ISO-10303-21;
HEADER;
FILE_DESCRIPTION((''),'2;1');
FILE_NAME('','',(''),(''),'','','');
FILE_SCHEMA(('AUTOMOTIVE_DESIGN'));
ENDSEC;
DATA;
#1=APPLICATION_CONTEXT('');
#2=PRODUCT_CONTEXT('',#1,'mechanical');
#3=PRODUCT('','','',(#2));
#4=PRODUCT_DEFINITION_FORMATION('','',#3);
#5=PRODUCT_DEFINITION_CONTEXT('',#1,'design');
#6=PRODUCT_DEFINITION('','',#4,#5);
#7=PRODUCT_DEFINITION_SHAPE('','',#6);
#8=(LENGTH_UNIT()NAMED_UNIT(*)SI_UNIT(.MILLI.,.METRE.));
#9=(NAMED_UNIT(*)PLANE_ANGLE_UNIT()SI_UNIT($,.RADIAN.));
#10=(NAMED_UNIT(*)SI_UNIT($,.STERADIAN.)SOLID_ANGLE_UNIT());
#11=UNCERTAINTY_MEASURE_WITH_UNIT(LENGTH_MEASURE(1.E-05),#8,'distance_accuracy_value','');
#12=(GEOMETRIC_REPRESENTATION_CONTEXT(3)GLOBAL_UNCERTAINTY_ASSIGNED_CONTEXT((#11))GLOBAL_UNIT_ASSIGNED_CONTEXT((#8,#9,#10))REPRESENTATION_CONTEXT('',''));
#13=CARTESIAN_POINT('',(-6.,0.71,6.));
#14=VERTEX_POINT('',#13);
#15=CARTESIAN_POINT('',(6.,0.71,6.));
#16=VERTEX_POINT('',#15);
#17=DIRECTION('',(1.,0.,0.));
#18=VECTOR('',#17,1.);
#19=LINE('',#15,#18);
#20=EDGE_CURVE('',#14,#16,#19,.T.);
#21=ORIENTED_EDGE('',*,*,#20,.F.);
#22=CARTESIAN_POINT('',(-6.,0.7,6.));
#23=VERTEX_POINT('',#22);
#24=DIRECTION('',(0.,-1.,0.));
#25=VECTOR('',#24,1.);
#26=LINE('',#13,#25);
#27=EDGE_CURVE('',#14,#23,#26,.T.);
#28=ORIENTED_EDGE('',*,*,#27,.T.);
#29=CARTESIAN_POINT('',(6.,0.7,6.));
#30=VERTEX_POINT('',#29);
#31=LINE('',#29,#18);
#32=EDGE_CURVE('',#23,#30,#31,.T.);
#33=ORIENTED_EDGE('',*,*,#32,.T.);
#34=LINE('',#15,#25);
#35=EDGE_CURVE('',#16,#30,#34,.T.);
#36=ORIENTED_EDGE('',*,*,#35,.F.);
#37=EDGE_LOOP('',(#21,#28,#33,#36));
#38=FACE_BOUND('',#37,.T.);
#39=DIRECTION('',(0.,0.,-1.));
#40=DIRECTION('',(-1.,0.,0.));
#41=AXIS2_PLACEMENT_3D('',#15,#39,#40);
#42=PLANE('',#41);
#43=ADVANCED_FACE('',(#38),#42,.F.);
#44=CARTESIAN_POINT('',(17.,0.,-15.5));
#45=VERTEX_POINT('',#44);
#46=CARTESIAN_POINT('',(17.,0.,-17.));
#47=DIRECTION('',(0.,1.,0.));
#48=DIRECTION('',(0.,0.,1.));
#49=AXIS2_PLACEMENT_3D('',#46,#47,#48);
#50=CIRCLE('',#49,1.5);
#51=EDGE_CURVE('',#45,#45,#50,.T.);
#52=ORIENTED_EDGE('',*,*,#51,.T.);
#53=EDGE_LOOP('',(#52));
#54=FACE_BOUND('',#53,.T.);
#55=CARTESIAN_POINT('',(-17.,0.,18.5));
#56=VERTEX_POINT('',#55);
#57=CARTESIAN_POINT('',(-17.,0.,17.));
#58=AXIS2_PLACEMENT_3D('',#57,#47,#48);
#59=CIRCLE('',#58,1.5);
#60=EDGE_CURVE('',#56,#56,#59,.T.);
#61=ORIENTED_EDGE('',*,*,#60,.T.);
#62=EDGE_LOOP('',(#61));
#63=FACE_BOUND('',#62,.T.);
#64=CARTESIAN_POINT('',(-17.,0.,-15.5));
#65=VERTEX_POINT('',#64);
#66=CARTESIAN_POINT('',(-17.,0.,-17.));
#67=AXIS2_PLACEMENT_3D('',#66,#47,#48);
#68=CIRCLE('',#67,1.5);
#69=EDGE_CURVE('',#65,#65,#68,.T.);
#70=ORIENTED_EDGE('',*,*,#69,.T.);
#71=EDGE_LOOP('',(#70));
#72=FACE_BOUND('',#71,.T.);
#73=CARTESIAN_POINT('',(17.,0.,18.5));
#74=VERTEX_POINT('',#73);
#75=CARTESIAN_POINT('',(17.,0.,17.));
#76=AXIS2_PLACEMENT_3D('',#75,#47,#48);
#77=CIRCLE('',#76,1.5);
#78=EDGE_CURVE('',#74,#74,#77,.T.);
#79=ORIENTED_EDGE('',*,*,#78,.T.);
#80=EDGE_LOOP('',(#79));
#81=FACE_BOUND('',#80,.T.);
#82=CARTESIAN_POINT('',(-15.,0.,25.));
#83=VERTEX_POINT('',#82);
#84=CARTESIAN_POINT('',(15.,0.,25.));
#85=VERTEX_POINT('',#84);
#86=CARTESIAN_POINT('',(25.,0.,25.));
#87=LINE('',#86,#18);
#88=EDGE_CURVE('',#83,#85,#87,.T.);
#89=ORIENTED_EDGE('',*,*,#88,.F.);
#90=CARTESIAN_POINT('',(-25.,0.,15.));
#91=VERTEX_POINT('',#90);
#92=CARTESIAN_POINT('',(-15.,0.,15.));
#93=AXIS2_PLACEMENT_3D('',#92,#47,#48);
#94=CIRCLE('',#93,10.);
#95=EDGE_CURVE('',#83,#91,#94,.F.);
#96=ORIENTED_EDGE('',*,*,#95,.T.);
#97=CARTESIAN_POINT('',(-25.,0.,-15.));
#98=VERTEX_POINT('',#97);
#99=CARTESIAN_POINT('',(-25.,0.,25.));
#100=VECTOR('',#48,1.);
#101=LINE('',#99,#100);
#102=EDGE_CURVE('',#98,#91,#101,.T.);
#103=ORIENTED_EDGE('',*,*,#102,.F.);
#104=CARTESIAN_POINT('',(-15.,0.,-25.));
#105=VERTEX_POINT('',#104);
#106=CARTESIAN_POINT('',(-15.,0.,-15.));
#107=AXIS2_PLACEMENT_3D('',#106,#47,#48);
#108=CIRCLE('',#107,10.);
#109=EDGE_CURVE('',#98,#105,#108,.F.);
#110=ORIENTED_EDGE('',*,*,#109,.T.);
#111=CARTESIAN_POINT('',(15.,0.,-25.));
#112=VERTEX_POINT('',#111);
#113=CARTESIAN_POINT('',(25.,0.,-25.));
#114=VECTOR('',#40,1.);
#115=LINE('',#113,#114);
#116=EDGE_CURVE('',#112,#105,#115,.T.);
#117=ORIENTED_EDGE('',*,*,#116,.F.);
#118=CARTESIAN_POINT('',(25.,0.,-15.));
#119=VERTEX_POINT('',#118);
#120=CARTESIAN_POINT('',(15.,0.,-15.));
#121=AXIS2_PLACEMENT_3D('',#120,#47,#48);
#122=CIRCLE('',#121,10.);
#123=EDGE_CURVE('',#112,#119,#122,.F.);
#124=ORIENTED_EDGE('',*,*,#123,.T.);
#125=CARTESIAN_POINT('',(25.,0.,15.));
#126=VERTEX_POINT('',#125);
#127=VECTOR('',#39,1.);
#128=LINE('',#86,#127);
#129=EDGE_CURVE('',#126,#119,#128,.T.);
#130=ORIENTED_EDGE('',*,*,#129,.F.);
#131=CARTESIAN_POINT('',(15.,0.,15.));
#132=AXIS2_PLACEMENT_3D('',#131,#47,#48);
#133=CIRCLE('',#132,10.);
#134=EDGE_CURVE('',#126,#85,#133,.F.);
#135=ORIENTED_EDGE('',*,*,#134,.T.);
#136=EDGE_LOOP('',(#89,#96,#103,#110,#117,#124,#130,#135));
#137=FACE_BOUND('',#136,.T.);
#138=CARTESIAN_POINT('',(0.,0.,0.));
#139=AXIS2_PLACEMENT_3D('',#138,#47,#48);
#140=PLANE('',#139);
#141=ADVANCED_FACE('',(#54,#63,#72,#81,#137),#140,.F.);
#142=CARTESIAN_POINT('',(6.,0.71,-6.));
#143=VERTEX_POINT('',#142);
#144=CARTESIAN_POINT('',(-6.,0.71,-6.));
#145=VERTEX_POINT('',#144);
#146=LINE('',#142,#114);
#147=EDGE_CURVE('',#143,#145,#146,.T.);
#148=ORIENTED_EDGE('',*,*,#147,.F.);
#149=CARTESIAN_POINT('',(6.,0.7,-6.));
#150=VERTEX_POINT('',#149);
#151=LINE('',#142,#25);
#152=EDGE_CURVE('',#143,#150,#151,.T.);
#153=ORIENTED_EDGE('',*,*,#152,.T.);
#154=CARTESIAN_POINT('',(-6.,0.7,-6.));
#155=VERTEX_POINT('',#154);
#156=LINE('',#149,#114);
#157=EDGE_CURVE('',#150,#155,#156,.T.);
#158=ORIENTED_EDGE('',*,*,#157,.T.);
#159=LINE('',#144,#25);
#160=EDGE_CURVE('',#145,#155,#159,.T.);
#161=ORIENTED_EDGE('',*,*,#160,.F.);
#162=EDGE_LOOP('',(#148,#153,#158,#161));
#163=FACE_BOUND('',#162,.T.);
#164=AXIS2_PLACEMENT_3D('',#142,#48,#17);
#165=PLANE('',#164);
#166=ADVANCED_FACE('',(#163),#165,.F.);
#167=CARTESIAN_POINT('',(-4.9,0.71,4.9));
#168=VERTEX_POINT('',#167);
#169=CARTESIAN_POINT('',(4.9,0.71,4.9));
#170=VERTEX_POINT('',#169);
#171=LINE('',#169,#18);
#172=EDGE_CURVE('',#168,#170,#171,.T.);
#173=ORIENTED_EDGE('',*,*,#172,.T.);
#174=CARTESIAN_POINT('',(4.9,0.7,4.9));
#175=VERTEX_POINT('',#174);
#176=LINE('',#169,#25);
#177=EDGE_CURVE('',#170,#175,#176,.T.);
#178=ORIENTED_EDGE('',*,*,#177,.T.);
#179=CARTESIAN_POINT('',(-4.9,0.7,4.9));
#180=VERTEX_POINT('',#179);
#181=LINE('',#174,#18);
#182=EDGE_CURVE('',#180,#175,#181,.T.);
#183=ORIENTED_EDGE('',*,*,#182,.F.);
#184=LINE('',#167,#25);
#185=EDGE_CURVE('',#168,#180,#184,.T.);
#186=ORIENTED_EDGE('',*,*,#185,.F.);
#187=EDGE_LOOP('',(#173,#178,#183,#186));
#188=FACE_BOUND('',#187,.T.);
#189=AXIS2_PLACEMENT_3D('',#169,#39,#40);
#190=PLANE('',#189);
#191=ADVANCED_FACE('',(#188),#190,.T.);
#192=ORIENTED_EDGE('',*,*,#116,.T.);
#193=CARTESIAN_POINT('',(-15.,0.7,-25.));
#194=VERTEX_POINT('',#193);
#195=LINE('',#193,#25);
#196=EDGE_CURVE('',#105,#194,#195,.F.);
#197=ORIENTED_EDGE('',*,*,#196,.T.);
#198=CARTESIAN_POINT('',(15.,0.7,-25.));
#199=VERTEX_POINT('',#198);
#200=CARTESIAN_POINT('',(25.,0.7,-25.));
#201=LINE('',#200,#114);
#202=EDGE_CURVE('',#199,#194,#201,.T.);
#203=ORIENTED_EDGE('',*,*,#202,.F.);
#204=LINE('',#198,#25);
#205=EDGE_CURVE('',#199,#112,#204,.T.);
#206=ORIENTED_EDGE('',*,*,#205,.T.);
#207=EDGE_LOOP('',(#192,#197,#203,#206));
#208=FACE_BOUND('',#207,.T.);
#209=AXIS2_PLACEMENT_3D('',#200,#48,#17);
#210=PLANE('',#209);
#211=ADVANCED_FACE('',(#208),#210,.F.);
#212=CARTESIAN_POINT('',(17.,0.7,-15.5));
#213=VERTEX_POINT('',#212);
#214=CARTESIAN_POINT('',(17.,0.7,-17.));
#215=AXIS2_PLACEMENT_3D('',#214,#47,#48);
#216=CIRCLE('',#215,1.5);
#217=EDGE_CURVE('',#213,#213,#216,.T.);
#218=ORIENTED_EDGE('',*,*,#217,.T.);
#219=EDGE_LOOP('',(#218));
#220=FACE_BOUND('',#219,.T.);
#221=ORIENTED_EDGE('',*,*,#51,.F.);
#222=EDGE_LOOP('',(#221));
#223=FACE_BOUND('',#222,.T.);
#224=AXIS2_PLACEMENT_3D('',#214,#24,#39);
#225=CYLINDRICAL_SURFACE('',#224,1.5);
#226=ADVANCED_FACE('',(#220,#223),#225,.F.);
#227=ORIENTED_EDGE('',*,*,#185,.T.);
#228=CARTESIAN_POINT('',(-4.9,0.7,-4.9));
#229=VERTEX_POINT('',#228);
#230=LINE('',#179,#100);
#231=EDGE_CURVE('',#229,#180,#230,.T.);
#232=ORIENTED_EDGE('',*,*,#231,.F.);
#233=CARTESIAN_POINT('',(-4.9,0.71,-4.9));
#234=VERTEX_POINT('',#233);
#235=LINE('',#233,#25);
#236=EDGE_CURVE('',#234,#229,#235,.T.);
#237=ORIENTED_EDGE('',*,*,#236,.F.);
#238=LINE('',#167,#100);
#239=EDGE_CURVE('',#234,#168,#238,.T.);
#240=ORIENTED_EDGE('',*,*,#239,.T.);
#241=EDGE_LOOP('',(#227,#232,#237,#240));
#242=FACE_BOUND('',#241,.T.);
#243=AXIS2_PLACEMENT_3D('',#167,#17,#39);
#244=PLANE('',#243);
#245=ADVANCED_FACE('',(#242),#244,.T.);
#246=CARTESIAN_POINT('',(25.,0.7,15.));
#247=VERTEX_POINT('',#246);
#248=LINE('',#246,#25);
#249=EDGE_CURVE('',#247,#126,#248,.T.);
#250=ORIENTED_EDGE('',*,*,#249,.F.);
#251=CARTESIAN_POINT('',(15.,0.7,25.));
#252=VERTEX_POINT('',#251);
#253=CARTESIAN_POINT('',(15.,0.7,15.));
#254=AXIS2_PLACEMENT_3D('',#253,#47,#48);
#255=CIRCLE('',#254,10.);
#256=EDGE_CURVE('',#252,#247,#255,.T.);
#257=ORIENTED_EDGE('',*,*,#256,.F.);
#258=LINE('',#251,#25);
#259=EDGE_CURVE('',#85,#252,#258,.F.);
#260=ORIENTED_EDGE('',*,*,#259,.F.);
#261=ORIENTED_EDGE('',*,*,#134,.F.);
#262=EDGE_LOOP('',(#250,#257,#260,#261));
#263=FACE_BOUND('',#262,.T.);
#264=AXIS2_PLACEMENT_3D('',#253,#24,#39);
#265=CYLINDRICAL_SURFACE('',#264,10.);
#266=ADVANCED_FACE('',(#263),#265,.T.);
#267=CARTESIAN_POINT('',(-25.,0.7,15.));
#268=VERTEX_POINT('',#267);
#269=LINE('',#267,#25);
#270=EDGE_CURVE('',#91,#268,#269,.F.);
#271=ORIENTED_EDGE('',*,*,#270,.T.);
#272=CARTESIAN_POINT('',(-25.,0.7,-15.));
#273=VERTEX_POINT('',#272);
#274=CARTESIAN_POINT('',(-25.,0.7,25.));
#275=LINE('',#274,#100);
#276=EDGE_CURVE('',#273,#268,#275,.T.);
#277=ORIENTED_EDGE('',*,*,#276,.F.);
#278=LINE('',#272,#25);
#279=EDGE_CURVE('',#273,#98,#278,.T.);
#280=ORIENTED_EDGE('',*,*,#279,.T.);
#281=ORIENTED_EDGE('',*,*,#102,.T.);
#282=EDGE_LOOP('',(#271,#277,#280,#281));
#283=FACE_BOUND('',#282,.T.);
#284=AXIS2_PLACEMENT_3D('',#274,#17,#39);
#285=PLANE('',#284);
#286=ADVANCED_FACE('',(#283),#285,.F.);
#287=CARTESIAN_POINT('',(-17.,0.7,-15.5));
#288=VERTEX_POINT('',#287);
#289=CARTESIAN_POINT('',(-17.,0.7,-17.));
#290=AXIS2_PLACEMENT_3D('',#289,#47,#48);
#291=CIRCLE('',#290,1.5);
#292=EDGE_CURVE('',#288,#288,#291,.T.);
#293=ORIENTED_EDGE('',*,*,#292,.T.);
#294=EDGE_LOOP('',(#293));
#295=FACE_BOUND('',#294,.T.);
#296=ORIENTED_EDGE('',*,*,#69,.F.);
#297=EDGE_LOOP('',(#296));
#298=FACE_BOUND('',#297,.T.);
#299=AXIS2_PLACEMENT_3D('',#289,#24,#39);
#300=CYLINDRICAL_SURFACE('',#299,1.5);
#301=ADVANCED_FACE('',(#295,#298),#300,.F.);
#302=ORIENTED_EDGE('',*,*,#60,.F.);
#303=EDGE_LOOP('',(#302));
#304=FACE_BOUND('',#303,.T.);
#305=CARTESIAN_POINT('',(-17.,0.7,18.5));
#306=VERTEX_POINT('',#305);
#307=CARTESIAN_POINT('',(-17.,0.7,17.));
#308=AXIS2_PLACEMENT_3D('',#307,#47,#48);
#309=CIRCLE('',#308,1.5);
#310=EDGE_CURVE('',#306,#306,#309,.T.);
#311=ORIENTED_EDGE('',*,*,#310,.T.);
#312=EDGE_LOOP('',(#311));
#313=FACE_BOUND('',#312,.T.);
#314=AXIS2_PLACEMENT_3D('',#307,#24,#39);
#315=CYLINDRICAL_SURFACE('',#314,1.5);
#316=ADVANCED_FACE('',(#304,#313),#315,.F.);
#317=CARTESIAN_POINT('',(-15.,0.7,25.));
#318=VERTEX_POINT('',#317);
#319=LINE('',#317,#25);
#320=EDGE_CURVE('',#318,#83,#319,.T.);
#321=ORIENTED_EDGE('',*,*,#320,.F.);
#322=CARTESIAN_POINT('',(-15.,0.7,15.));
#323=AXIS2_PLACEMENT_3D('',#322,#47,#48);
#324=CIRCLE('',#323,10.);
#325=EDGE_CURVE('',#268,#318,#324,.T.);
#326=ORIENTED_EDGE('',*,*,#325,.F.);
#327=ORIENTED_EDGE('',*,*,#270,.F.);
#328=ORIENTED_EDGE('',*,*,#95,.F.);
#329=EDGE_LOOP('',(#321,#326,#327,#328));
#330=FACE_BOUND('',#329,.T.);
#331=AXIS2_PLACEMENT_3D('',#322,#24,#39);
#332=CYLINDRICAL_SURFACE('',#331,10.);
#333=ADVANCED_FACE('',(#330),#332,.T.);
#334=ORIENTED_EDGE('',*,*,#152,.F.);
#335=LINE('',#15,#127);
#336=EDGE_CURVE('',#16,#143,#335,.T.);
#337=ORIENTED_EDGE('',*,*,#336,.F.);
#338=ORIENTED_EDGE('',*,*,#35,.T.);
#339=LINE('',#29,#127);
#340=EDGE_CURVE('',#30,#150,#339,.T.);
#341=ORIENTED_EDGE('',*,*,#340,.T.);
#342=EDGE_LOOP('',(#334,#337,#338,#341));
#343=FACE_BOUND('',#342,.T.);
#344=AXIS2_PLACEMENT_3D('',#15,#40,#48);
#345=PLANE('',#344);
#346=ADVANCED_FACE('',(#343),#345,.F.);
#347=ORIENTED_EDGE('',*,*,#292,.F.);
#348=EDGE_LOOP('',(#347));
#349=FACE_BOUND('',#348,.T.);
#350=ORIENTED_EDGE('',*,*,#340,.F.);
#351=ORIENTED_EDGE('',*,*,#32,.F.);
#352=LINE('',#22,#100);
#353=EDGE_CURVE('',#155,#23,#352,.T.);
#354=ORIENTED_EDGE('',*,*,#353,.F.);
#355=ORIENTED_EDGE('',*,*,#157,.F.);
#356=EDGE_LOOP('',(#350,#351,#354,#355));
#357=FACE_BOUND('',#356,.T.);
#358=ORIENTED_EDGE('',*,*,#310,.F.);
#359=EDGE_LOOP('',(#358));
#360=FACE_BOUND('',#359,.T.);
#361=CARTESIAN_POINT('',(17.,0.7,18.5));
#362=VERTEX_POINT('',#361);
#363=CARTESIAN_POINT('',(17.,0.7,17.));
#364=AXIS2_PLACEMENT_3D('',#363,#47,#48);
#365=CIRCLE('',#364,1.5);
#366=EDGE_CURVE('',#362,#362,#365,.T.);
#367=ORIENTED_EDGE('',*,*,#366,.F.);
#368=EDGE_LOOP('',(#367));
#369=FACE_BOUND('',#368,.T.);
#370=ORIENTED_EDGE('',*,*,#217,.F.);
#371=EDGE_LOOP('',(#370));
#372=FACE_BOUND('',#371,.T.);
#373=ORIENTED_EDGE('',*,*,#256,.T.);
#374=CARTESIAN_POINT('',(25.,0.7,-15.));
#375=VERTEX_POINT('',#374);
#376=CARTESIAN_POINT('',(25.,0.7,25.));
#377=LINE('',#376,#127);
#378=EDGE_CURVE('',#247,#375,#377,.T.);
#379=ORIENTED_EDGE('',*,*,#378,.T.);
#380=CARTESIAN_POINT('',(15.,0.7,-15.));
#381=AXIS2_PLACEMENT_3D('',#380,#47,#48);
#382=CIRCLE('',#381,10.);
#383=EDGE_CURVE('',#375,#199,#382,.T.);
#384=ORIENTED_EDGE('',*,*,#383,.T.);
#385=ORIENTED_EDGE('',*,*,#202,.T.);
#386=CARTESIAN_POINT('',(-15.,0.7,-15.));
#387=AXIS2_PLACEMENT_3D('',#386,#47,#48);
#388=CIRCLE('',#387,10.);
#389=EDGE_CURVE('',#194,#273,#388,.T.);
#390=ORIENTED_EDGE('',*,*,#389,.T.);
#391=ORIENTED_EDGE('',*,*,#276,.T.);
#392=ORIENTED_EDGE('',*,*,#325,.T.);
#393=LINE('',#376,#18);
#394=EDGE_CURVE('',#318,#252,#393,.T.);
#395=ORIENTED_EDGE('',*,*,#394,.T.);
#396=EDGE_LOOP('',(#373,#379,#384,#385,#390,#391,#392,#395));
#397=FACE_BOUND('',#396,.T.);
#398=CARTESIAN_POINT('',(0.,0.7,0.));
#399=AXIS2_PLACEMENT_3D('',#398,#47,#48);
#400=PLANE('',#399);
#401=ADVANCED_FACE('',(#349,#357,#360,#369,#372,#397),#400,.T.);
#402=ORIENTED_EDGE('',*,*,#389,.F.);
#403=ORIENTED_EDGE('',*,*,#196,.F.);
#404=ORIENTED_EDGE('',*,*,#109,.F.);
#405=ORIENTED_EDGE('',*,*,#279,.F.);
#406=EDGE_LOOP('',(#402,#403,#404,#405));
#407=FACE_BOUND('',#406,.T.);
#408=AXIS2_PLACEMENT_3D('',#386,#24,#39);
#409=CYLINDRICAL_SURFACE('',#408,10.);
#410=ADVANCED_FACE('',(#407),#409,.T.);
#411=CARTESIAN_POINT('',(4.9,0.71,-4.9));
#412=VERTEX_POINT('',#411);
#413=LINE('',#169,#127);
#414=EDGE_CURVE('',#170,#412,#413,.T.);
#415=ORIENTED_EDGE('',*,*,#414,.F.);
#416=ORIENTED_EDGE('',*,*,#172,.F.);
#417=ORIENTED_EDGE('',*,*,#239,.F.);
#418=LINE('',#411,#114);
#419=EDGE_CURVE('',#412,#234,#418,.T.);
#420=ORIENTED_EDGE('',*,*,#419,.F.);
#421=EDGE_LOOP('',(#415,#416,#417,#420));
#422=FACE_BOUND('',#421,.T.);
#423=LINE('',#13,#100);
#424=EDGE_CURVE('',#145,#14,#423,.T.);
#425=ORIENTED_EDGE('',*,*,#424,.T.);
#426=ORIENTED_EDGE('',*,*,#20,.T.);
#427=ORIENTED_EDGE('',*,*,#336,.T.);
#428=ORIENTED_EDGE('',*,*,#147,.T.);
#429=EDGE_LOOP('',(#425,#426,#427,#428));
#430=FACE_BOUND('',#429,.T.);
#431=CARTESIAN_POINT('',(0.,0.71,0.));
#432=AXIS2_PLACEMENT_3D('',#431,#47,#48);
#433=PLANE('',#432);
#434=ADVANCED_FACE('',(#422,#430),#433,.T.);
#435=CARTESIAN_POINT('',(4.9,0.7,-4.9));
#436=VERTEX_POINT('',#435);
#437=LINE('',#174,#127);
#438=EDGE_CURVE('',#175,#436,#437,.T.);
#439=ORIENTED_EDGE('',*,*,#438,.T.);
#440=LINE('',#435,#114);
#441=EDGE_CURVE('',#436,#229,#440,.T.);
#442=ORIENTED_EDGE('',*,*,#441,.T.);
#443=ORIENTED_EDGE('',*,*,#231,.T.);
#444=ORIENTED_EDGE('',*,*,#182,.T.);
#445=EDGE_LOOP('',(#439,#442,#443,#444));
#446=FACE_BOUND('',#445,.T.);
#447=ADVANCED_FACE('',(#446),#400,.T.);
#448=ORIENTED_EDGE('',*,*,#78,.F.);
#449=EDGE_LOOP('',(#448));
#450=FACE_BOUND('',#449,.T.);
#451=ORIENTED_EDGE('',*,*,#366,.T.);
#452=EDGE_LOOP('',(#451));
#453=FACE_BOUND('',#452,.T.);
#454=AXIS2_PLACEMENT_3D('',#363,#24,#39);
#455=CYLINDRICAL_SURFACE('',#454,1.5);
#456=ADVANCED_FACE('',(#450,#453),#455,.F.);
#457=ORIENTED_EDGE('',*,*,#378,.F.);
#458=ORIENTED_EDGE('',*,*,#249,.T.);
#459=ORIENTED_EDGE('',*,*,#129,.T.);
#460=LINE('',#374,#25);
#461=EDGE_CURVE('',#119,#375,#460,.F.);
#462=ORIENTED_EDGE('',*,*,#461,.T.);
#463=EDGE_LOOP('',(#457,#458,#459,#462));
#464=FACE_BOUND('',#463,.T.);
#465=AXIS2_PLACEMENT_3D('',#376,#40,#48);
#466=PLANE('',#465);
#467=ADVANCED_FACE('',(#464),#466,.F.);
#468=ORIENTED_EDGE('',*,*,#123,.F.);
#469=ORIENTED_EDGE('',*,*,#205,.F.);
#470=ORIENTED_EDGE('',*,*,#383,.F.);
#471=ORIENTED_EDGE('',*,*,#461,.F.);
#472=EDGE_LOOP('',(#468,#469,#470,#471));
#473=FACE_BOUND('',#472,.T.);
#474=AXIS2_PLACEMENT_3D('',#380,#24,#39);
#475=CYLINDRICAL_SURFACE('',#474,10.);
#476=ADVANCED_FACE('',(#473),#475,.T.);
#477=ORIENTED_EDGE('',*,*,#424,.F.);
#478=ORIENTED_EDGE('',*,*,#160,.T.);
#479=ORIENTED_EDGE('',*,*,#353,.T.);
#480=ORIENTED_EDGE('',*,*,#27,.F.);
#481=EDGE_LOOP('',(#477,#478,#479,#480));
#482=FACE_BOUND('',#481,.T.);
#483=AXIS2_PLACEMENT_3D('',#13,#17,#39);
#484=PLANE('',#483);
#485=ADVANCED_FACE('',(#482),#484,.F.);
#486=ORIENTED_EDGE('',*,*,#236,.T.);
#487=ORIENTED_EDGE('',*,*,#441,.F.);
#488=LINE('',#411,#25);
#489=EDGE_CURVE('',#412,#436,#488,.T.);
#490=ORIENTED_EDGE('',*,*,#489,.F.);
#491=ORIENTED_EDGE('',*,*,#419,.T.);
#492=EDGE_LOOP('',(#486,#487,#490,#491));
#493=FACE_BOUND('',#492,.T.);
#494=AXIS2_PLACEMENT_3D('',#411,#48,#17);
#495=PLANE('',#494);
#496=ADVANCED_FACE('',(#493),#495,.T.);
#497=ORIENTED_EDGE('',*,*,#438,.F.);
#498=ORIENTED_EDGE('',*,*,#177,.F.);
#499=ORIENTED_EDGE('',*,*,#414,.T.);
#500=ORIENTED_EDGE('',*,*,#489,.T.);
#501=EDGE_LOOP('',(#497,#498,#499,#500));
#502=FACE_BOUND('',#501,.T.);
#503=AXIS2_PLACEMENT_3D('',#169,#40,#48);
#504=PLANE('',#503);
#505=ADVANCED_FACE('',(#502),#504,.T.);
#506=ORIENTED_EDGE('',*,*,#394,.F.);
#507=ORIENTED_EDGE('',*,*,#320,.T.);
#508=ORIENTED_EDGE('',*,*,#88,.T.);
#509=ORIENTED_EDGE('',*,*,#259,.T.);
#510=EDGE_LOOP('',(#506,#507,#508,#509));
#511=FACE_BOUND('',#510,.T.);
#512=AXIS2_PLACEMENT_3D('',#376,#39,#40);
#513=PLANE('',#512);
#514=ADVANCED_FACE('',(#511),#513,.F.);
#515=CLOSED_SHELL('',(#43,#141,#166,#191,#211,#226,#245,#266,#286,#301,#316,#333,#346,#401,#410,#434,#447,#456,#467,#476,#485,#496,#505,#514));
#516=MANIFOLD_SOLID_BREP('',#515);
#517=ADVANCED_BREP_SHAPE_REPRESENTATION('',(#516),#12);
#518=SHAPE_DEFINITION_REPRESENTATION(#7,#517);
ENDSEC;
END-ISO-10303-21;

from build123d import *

# Parameters (mm, degrees)
SKETCH1_W           = 50
SKETCH1_H           = 50
SKETCH1_R           = 1.5
BOSS_EXTRUDE1_DEPTH = 0.7
FILLET1_R           = 10
SKETCH2_W           = 12
SKETCH2_H           = 12
SKETCH2_W_2         = 9.8
SKETCH2_H_2         = 9.8
BOSS_EXTRUDE2_DEPTH = 0.01


with BuildPart() as part:
    # Sketch1 → Boss-Extrude1 (new body)
    with BuildSketch(Plane(origin=(0, 0, 0), x_dir=(1, 0, 0), z_dir=(0, 1, 0))):
        Rectangle(SKETCH1_W, SKETCH1_H)
        with Locations(Location((-17, 17, 0), (0, 0, 270))):
            Circle(SKETCH1_R, mode=Mode.SUBTRACT)
        with Locations(Location((17, 17, 0), (0, 0, 270))):
            Circle(SKETCH1_R, mode=Mode.SUBTRACT)
        with Locations(Location((17, -17, 0), (0, 0, 270))):
            Circle(SKETCH1_R, mode=Mode.SUBTRACT)
        with Locations(Location((-17, -17, 0), (0, 0, 270))):
            Circle(SKETCH1_R, mode=Mode.SUBTRACT)
    extrude(amount=BOSS_EXTRUDE1_DEPTH)

    # Fillet1
    fillet1_edges = [part.edges().sort_by_distance(p)[0] for p in [
        (-25, 0.35, -25),
        (25, 0.35, -25),
        (25, 0.35, 25),
        (-25, 0.35, 25),
    ]]
    fillet(fillet1_edges, radius=FILLET1_R)

    # Sketch2 → Boss-Extrude2 (add)
    with BuildSketch(Plane(origin=(0, 0.7, 0), x_dir=(1, 0, 0), z_dir=(0, 1, 0))):
        Rectangle(SKETCH2_W, SKETCH2_H)
        Rectangle(SKETCH2_W_2, SKETCH2_H_2, mode=Mode.SUBTRACT)
    extrude(amount=BOSS_EXTRUDE2_DEPTH)


solid = part.part
